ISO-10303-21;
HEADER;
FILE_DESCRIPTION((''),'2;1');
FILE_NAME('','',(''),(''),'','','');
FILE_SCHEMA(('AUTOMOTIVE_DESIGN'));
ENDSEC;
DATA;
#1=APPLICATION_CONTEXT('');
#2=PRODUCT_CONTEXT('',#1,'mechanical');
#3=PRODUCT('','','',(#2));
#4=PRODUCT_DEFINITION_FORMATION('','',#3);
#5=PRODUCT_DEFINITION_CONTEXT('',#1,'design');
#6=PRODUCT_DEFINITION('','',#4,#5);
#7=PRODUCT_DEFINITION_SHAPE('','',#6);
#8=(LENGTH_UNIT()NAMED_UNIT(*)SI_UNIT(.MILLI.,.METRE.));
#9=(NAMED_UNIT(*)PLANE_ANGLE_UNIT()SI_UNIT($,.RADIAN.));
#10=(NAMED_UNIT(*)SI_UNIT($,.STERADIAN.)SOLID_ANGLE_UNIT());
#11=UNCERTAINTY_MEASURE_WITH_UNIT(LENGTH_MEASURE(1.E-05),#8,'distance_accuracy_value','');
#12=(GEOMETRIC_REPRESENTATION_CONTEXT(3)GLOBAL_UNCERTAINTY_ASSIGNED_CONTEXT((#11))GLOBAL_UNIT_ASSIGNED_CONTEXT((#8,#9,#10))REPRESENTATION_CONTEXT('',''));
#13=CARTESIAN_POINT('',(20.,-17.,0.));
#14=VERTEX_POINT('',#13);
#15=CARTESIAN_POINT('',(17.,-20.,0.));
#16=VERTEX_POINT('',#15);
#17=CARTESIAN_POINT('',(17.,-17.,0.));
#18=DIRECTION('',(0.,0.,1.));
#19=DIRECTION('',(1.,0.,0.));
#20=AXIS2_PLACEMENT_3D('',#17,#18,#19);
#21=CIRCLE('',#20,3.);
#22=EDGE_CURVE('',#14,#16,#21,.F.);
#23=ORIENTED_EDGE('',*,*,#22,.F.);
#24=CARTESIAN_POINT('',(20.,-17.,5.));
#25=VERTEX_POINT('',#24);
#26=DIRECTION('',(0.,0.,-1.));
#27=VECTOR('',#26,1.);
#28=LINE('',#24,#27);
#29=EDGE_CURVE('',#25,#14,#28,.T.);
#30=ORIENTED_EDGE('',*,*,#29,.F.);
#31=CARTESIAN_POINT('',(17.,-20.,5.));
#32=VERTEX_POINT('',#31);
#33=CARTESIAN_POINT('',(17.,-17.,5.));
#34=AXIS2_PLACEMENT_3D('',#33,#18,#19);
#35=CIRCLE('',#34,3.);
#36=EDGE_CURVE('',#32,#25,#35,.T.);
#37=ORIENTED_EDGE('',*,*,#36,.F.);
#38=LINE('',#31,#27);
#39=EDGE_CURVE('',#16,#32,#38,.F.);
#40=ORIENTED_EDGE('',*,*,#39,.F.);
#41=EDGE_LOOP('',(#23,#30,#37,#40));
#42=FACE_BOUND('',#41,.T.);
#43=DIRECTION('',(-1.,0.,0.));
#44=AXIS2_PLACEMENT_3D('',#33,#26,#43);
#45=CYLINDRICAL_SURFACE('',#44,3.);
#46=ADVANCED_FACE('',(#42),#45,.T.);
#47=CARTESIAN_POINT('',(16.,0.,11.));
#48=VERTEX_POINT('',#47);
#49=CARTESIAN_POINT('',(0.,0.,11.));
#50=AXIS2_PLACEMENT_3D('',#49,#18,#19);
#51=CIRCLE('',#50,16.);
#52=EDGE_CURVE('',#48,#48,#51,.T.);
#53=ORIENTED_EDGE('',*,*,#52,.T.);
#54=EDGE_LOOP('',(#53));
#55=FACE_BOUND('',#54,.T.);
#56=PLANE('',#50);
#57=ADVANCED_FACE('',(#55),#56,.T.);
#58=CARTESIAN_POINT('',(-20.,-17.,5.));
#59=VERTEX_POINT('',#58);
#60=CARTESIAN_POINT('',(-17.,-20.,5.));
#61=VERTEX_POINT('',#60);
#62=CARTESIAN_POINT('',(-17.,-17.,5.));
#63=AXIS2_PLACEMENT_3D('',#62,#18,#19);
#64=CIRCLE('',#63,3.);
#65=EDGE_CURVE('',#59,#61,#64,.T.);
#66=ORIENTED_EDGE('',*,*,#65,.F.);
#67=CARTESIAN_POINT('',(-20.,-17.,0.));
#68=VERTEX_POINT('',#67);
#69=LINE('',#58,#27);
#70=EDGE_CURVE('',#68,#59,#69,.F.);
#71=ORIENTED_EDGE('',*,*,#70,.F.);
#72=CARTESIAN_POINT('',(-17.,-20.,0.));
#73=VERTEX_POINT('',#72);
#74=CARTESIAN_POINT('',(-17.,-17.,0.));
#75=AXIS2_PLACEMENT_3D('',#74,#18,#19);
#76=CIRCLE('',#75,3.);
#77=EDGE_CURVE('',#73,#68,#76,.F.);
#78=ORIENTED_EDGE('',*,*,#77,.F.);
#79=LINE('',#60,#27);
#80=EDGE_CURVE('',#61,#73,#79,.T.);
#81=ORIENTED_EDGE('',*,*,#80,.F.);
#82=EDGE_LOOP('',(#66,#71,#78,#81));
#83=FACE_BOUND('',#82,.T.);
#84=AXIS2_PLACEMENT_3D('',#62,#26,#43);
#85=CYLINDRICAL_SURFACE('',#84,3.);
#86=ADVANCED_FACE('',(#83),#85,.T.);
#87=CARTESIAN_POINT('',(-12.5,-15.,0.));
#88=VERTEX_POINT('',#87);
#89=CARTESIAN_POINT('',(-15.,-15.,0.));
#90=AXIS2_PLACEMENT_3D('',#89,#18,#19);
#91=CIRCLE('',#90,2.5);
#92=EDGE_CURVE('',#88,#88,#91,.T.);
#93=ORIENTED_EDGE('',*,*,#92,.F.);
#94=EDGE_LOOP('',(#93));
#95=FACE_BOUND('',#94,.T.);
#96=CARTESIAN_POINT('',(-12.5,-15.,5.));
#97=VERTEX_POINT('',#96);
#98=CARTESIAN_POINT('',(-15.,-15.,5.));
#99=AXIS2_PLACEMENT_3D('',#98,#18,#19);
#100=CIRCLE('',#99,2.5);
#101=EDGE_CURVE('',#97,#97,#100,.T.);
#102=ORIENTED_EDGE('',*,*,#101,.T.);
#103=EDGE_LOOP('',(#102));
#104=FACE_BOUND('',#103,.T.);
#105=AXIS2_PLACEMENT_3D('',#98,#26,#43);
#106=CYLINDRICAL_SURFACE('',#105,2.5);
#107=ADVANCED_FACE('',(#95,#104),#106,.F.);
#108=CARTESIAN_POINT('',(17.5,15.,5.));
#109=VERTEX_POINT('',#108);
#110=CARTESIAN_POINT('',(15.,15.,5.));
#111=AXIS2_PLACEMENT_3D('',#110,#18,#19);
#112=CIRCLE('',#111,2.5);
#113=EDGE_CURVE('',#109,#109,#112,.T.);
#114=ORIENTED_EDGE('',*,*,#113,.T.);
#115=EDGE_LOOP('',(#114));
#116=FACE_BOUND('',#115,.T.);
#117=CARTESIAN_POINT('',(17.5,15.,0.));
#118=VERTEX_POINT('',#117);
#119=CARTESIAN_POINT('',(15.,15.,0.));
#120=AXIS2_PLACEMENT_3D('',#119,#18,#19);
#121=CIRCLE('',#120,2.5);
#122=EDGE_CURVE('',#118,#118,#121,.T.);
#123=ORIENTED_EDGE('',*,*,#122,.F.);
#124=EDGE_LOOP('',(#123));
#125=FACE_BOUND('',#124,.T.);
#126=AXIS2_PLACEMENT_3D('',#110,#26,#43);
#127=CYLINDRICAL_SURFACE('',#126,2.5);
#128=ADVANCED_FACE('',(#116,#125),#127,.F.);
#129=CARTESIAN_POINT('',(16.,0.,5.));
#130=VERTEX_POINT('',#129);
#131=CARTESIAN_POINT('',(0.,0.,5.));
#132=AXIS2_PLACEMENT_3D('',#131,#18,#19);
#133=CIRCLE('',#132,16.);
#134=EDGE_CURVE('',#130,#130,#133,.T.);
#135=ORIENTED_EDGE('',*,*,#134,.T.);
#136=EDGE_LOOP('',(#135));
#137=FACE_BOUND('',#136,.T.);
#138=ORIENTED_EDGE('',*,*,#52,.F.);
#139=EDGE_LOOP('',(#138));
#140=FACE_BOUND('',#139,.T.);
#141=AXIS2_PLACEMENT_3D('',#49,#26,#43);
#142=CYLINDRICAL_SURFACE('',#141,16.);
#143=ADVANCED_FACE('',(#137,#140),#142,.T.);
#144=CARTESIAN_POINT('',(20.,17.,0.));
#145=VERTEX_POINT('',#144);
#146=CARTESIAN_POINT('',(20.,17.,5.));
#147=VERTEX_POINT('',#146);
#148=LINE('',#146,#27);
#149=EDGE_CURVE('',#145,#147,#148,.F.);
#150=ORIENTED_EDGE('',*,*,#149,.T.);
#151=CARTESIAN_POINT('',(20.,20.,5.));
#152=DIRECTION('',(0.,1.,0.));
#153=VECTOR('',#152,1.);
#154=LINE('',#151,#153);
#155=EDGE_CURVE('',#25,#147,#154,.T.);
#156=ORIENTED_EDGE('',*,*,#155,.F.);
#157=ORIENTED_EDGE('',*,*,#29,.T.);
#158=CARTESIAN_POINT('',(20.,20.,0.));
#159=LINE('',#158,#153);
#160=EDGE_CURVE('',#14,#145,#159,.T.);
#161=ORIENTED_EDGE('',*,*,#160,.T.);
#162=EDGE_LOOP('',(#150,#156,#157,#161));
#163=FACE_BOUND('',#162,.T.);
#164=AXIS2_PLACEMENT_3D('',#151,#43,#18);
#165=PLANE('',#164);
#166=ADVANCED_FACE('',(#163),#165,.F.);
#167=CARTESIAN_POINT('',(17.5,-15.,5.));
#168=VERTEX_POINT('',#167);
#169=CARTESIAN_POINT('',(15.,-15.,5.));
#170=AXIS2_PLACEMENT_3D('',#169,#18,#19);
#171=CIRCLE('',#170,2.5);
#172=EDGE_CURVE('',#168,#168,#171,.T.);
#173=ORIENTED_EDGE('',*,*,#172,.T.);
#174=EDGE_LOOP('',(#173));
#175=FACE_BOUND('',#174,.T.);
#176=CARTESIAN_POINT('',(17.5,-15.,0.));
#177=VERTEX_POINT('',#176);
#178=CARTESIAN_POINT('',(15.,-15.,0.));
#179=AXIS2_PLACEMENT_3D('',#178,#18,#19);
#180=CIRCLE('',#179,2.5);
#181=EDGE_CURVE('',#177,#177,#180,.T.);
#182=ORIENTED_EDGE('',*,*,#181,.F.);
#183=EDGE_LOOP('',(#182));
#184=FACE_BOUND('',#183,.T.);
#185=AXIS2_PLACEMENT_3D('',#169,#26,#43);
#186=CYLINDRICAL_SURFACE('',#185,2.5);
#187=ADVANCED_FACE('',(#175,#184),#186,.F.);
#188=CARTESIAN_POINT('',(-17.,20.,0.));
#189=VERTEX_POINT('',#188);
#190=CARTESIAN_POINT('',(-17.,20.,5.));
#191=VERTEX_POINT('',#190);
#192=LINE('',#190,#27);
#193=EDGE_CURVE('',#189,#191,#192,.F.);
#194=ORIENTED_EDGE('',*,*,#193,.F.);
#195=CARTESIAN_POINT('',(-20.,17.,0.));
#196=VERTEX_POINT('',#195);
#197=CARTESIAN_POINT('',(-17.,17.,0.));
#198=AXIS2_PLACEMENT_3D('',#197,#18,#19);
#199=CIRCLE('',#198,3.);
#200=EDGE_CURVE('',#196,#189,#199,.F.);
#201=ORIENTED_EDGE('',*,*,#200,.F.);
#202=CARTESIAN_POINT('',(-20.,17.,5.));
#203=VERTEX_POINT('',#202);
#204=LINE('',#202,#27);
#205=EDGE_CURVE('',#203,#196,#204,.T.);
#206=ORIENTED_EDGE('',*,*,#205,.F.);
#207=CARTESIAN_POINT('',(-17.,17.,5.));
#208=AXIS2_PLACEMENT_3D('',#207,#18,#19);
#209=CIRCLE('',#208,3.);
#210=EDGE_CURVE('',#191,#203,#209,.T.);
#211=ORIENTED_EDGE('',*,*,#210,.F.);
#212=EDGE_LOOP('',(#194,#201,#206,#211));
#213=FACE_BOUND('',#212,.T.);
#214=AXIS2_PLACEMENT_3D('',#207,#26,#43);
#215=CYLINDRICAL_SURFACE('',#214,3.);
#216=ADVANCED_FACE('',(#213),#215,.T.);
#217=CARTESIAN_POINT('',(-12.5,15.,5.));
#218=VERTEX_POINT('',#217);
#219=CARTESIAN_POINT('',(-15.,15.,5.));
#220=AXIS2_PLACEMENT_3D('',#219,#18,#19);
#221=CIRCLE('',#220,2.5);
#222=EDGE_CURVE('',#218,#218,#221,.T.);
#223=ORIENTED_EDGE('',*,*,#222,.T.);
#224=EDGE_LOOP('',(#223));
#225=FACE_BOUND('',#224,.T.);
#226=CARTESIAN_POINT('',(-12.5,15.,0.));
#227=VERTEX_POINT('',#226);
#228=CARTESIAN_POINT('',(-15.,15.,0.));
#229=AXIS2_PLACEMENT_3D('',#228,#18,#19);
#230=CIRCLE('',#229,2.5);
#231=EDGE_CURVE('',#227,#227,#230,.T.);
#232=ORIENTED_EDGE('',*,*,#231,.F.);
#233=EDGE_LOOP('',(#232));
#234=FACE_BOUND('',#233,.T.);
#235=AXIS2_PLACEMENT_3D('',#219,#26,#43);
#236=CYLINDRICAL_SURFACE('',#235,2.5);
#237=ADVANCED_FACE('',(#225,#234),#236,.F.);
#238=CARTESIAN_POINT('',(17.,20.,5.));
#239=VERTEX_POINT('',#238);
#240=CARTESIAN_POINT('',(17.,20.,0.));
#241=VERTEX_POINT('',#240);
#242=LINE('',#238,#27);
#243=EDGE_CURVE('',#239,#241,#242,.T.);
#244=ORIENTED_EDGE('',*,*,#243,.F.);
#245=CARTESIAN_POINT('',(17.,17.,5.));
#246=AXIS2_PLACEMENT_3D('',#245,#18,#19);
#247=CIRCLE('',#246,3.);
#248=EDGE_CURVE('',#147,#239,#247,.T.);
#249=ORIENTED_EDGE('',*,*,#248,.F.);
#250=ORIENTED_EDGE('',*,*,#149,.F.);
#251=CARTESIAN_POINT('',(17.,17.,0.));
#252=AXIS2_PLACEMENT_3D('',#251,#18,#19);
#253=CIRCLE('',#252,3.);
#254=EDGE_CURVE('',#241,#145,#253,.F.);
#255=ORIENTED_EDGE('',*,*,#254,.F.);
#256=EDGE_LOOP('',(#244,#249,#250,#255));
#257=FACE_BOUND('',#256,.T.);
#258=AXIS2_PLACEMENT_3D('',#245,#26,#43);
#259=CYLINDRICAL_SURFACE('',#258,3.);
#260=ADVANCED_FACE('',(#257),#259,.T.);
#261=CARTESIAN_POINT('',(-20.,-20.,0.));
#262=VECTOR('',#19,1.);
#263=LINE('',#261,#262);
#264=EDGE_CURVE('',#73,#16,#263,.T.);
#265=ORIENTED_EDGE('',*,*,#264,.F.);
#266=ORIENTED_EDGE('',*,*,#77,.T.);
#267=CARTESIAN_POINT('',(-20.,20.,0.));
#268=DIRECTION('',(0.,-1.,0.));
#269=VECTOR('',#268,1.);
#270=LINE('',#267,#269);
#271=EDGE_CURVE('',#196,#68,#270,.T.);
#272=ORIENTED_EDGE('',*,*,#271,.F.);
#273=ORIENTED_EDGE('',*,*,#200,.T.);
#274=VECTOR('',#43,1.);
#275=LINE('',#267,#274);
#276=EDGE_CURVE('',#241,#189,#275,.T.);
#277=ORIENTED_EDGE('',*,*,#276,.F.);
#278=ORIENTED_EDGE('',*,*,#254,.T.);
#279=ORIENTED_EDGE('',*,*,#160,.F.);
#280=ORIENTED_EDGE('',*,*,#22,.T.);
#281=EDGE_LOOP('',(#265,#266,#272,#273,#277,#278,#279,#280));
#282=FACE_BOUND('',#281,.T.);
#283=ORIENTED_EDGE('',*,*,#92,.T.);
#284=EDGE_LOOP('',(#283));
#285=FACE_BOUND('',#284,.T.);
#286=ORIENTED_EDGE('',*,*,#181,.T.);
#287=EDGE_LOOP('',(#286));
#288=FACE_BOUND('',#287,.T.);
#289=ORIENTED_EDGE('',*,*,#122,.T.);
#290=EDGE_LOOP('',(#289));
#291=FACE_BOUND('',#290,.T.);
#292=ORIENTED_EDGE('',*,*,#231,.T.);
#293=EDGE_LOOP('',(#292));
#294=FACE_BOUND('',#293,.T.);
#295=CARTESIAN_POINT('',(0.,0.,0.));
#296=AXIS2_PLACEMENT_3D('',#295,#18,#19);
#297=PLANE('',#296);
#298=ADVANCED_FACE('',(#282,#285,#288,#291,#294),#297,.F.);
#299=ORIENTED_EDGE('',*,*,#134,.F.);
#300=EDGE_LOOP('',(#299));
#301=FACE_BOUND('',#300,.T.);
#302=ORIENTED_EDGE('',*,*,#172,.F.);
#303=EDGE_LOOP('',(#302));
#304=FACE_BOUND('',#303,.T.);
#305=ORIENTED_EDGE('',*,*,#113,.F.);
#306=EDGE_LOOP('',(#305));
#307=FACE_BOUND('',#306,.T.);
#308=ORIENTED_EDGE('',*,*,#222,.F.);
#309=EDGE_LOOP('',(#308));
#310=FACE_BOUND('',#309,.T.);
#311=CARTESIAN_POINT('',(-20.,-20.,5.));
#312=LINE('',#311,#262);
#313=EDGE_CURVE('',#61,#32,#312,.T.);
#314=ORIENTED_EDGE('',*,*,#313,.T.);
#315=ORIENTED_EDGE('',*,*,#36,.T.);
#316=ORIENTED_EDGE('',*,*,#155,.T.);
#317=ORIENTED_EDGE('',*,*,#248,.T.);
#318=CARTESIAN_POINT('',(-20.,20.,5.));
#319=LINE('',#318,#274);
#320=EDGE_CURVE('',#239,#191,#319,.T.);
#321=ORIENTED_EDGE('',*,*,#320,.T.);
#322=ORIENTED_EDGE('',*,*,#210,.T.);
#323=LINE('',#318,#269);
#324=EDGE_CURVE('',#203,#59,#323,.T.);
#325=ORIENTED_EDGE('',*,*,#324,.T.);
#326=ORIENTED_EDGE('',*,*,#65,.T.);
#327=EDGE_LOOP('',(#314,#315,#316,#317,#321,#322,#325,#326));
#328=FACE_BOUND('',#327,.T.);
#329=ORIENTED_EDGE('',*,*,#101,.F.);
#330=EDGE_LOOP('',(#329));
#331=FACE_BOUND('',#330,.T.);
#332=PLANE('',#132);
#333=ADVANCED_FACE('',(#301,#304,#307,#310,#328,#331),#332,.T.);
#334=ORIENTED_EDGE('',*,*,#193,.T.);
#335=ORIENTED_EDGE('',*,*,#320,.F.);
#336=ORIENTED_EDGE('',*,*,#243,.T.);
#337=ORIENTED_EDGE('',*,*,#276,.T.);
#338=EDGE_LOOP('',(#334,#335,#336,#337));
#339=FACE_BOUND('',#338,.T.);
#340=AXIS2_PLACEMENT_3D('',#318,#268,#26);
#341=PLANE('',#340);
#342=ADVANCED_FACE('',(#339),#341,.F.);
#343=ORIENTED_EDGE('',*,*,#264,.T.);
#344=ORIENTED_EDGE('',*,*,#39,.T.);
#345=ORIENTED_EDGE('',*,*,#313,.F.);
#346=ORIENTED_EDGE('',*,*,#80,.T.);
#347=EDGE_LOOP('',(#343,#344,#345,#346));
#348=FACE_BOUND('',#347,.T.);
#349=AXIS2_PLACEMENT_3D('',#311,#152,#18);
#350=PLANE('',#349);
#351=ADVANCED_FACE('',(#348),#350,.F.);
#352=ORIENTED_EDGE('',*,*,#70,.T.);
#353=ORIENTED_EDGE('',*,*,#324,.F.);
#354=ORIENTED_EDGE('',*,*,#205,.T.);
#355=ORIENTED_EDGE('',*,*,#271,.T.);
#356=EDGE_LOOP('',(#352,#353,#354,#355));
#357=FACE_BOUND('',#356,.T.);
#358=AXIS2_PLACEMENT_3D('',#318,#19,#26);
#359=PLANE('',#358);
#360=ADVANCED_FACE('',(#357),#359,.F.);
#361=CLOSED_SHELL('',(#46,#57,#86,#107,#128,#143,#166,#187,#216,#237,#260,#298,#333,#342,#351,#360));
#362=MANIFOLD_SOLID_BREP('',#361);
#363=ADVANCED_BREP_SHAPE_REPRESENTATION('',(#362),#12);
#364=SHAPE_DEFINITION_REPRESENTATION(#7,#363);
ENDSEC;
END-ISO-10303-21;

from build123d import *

# Parameters (mm, degrees)
SKETCH1_W           = 40
SKETCH1_H           = 40
SKETCH1_R           = 2.5
BOSS_EXTRUDE1_DEPTH = 5
SKETCH2_R           = 16
BOSS_EXTRUDE2_DEPTH = 6
FILLET2_R           = 3


with BuildPart() as part:
    # Sketch1 → Boss-Extrude1 (new body)
    with BuildSketch(Plane.XY):
        Rectangle(SKETCH1_W, SKETCH1_H)
        with Locations((-15, 15)):
            Circle(SKETCH1_R, mode=Mode.SUBTRACT)
        with Locations((15, 15)):
            Circle(SKETCH1_R, mode=Mode.SUBTRACT)
        with Locations((15, -15)):
            Circle(SKETCH1_R, mode=Mode.SUBTRACT)
        with Locations((-15, -15)):
            Circle(SKETCH1_R, mode=Mode.SUBTRACT)
    extrude(amount=BOSS_EXTRUDE1_DEPTH)

    # Sketch2 → Boss-Extrude2 (add)
    with BuildSketch(Plane.XY.offset(5)):
        Circle(SKETCH2_R)
    extrude(amount=BOSS_EXTRUDE2_DEPTH)

    # Fillet2
    fillet2_edges = [part.edges().sort_by_distance(p)[0] for p in [
        (20, -20, 2.5),
        (-20, -20, 2.5),
        (-20, 20, 2.5),
        (20, 20, 2.5),
    ]]
    fillet(fillet2_edges, radius=FILLET2_R)


solid = part.part
